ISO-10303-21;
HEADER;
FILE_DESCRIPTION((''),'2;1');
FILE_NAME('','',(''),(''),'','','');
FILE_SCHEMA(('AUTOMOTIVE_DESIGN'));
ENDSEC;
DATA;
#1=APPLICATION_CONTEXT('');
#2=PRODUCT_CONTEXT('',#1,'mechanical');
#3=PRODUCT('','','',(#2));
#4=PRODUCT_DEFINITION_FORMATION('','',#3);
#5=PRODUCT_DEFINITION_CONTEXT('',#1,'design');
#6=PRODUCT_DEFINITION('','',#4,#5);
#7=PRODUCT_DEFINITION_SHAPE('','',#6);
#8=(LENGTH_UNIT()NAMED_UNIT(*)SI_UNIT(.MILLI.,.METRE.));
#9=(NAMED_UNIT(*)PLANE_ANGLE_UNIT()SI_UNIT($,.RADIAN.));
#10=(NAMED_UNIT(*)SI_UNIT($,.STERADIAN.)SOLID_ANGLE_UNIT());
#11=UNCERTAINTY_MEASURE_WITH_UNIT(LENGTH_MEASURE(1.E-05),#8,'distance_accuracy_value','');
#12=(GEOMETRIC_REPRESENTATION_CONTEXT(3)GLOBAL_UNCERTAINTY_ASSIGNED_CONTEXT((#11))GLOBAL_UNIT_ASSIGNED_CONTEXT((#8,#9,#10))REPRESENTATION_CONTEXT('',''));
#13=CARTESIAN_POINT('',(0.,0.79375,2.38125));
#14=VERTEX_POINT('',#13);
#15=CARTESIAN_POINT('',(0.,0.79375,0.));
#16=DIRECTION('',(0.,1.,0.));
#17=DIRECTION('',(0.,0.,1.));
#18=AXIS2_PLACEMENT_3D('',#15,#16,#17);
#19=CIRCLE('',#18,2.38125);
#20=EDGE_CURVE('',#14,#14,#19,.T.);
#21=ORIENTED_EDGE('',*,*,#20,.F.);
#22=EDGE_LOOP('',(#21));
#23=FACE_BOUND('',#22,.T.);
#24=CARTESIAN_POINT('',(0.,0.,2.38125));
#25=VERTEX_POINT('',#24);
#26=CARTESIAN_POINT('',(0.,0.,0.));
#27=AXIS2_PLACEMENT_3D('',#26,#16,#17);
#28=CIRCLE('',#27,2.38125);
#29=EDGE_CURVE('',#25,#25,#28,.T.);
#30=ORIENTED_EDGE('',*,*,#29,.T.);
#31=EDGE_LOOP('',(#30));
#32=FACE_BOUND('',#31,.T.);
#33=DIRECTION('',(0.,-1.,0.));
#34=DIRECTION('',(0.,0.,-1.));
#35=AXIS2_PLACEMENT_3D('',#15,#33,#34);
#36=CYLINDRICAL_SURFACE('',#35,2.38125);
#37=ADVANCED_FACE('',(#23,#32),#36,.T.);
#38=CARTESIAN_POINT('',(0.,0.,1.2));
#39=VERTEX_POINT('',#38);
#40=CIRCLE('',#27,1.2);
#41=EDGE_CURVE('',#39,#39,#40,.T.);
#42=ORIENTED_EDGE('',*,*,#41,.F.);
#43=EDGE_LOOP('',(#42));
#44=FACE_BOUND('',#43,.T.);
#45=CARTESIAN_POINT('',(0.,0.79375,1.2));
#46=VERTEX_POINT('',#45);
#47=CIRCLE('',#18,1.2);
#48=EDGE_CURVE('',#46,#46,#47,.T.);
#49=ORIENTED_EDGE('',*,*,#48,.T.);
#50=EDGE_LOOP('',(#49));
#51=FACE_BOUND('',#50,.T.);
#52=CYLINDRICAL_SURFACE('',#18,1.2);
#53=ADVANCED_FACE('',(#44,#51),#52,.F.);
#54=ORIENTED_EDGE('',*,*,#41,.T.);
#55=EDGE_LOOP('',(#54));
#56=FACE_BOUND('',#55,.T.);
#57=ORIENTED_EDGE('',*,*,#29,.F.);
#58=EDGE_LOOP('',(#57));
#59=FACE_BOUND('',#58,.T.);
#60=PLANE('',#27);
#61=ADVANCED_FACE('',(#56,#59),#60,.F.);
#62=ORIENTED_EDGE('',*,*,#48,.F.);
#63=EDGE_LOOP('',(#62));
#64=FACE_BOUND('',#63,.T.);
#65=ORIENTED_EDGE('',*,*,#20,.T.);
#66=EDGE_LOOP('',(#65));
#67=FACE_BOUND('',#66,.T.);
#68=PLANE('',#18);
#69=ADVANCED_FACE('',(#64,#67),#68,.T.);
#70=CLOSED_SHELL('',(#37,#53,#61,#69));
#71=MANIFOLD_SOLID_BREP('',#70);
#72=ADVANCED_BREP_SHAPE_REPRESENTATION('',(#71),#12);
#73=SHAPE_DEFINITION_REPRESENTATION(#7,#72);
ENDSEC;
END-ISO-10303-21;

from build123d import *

# Parameters (mm, degrees)
SKETCH1_R           = 2.38125
BOSS_EXTRUDE1_DEPTH = 0.79375
CLEARANCE_HOLE1_D   = 2.4


with BuildPart() as part:
    # Sketch1 → Boss-Extrude1 (new body)
    with BuildSketch(Plane(origin=(0, 0, 0), x_dir=(1, 0, 0), z_dir=(0, 1, 0))):
        Circle(SKETCH1_R)
    extrude(amount=BOSS_EXTRUDE1_DEPTH)

    # Clearance Hole1 (through all)
    with Locations(Plane(origin=(0, 0.79375, 0), x_dir=(1, 0, 0), z_dir=(0, 1, 0))):
        with Locations((0, 0)):
            Hole(CLEARANCE_HOLE1_D / 2)


solid = part.part
